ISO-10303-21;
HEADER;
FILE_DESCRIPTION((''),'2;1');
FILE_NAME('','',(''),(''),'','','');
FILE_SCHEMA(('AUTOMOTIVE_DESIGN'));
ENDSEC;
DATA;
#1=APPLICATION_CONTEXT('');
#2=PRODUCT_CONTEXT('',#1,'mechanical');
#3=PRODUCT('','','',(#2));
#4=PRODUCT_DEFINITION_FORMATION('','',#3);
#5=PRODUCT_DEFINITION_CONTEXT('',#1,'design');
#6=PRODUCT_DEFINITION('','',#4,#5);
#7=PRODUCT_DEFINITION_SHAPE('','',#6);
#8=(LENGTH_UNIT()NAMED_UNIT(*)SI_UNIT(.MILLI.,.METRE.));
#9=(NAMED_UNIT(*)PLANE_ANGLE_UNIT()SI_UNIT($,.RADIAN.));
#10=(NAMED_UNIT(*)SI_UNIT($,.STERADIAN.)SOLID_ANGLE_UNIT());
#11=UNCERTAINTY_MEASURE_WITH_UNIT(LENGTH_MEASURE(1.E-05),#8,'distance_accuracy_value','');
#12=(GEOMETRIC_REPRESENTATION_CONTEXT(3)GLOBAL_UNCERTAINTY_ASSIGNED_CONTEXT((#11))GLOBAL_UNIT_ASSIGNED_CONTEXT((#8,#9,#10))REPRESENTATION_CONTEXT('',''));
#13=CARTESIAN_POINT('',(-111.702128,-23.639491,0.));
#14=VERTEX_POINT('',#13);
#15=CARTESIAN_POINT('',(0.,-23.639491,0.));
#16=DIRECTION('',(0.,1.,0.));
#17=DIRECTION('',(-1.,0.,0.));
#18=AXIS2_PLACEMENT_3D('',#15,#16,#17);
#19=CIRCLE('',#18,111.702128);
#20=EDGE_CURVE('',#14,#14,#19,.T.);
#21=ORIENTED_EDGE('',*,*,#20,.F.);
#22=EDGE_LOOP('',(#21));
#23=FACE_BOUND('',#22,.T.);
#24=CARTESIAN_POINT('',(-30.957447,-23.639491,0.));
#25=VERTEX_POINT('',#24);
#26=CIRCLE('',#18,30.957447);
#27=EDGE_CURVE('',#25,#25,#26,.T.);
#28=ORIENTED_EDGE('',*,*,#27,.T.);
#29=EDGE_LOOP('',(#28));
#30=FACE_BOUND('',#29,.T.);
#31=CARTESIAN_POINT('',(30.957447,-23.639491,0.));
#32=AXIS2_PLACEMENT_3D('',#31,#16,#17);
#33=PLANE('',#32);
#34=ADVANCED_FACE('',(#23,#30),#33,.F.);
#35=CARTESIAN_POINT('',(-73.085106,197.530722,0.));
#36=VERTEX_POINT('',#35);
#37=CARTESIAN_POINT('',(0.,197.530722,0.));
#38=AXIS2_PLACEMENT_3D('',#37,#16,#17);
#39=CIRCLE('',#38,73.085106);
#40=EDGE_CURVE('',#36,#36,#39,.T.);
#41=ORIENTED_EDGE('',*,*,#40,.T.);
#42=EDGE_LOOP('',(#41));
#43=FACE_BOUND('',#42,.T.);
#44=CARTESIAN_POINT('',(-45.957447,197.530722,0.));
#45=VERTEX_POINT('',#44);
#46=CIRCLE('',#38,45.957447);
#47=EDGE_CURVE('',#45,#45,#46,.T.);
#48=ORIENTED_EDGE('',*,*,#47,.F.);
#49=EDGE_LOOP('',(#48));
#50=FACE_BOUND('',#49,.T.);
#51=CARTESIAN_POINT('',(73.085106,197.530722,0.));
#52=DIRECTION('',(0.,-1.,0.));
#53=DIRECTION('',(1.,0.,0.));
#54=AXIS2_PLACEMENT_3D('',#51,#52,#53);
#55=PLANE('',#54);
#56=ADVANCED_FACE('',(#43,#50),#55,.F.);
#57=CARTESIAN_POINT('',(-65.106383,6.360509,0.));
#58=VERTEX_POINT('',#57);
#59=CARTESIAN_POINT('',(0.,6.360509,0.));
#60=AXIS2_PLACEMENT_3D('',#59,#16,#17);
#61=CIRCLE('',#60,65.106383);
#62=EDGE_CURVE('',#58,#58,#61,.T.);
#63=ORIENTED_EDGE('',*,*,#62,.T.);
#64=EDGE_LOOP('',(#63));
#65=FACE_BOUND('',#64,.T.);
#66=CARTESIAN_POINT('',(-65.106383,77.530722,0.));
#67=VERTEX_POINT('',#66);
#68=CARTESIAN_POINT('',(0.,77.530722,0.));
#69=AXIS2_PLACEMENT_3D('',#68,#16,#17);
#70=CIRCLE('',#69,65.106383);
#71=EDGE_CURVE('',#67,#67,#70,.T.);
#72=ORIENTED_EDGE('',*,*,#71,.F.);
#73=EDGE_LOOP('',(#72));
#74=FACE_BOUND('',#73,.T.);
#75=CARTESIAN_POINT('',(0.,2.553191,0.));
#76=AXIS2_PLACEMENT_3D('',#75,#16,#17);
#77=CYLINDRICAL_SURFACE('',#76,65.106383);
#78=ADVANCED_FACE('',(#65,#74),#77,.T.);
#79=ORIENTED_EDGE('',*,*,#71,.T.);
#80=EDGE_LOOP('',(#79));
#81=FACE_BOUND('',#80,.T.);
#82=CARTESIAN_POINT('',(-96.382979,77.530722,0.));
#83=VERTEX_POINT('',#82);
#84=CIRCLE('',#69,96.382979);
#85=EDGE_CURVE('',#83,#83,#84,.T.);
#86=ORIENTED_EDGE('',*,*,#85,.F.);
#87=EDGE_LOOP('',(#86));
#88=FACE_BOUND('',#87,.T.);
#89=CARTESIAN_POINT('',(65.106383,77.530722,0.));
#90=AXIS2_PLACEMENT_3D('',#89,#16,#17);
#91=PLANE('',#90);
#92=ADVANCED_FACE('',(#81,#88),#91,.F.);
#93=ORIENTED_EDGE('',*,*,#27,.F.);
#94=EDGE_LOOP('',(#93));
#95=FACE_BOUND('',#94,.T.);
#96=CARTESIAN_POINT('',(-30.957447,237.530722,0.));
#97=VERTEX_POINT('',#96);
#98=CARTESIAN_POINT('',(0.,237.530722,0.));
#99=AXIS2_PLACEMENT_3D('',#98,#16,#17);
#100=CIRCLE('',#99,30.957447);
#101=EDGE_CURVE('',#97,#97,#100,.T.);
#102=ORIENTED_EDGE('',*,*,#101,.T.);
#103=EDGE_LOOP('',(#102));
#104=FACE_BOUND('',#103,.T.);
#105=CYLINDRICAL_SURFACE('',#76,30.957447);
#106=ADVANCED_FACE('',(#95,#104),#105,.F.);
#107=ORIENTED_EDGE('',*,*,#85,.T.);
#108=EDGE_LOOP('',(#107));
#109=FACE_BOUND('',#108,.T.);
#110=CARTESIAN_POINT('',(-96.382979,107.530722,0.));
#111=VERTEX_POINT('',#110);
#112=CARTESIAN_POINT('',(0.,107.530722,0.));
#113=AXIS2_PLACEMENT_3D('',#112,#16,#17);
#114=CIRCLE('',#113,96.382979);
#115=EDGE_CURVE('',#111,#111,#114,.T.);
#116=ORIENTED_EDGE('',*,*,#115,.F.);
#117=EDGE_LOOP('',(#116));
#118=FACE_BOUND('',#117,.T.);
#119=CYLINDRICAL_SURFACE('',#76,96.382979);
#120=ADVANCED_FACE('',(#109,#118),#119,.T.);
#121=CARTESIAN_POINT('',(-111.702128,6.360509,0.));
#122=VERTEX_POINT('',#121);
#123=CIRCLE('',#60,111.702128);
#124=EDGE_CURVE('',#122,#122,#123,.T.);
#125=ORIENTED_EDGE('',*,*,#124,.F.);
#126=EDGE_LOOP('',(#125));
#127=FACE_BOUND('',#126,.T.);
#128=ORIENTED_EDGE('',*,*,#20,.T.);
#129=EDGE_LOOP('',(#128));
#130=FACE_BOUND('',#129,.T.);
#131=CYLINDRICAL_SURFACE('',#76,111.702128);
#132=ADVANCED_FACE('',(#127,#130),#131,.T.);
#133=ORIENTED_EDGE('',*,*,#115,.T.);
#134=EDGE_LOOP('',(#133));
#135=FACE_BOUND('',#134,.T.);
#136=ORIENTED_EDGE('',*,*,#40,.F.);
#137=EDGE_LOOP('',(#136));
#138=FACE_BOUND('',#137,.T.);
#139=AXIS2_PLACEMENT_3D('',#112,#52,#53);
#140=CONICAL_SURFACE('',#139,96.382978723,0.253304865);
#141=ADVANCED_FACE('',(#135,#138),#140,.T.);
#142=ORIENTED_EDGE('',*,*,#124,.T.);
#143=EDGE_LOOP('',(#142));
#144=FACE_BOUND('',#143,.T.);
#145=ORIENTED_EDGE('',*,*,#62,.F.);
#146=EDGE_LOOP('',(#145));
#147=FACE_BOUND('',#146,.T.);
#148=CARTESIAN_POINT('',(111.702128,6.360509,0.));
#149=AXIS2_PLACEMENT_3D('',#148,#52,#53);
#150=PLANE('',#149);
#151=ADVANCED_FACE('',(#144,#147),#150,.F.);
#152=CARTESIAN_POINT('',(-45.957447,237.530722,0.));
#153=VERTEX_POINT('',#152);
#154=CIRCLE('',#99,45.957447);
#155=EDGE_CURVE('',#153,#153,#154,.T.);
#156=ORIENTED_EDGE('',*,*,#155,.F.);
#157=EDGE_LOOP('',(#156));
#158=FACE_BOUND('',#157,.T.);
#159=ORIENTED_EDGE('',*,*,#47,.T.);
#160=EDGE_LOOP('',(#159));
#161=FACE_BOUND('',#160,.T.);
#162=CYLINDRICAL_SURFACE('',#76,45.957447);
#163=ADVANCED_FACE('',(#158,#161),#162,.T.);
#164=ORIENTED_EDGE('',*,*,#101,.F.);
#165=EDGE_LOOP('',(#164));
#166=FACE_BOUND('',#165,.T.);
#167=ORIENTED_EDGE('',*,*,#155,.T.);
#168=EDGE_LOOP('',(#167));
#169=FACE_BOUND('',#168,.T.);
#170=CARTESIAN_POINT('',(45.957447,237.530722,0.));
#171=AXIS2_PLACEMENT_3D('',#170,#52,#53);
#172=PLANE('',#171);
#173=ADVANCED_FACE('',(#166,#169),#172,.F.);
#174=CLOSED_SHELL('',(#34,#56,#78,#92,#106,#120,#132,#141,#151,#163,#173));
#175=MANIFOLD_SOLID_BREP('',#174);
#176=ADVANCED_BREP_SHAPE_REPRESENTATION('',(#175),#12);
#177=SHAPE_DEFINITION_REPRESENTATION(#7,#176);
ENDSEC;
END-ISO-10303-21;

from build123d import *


with BuildPart() as part:
    # Sketch1 → Revolve1 (revolve)
    with BuildSketch(Plane.XY, mode=Mode.PRIVATE) as revolve1_sk:
        Polygon((30.957446809, 237.530722145), (30.957446809, -23.639490621), (111.70212766, -23.639490621), (111.70212766, 6.360509379), (65.106382979, 6.360509379), (65.106382979, 77.530722145), (96.382978723, 77.530722145), (96.382978723, 107.530722145), (73.085106383, 197.530722145), (45.957446809, 197.530722145), (45.957446809, 237.530722145), align=None)
    revolve(revolve1_sk.sketch.rotate(Axis((0, 2.553191489, 0), (0, -1, 0)), 180), axis=Axis((0, 2.553191489, 0), (0, -1, 0)))


solid = part.part
